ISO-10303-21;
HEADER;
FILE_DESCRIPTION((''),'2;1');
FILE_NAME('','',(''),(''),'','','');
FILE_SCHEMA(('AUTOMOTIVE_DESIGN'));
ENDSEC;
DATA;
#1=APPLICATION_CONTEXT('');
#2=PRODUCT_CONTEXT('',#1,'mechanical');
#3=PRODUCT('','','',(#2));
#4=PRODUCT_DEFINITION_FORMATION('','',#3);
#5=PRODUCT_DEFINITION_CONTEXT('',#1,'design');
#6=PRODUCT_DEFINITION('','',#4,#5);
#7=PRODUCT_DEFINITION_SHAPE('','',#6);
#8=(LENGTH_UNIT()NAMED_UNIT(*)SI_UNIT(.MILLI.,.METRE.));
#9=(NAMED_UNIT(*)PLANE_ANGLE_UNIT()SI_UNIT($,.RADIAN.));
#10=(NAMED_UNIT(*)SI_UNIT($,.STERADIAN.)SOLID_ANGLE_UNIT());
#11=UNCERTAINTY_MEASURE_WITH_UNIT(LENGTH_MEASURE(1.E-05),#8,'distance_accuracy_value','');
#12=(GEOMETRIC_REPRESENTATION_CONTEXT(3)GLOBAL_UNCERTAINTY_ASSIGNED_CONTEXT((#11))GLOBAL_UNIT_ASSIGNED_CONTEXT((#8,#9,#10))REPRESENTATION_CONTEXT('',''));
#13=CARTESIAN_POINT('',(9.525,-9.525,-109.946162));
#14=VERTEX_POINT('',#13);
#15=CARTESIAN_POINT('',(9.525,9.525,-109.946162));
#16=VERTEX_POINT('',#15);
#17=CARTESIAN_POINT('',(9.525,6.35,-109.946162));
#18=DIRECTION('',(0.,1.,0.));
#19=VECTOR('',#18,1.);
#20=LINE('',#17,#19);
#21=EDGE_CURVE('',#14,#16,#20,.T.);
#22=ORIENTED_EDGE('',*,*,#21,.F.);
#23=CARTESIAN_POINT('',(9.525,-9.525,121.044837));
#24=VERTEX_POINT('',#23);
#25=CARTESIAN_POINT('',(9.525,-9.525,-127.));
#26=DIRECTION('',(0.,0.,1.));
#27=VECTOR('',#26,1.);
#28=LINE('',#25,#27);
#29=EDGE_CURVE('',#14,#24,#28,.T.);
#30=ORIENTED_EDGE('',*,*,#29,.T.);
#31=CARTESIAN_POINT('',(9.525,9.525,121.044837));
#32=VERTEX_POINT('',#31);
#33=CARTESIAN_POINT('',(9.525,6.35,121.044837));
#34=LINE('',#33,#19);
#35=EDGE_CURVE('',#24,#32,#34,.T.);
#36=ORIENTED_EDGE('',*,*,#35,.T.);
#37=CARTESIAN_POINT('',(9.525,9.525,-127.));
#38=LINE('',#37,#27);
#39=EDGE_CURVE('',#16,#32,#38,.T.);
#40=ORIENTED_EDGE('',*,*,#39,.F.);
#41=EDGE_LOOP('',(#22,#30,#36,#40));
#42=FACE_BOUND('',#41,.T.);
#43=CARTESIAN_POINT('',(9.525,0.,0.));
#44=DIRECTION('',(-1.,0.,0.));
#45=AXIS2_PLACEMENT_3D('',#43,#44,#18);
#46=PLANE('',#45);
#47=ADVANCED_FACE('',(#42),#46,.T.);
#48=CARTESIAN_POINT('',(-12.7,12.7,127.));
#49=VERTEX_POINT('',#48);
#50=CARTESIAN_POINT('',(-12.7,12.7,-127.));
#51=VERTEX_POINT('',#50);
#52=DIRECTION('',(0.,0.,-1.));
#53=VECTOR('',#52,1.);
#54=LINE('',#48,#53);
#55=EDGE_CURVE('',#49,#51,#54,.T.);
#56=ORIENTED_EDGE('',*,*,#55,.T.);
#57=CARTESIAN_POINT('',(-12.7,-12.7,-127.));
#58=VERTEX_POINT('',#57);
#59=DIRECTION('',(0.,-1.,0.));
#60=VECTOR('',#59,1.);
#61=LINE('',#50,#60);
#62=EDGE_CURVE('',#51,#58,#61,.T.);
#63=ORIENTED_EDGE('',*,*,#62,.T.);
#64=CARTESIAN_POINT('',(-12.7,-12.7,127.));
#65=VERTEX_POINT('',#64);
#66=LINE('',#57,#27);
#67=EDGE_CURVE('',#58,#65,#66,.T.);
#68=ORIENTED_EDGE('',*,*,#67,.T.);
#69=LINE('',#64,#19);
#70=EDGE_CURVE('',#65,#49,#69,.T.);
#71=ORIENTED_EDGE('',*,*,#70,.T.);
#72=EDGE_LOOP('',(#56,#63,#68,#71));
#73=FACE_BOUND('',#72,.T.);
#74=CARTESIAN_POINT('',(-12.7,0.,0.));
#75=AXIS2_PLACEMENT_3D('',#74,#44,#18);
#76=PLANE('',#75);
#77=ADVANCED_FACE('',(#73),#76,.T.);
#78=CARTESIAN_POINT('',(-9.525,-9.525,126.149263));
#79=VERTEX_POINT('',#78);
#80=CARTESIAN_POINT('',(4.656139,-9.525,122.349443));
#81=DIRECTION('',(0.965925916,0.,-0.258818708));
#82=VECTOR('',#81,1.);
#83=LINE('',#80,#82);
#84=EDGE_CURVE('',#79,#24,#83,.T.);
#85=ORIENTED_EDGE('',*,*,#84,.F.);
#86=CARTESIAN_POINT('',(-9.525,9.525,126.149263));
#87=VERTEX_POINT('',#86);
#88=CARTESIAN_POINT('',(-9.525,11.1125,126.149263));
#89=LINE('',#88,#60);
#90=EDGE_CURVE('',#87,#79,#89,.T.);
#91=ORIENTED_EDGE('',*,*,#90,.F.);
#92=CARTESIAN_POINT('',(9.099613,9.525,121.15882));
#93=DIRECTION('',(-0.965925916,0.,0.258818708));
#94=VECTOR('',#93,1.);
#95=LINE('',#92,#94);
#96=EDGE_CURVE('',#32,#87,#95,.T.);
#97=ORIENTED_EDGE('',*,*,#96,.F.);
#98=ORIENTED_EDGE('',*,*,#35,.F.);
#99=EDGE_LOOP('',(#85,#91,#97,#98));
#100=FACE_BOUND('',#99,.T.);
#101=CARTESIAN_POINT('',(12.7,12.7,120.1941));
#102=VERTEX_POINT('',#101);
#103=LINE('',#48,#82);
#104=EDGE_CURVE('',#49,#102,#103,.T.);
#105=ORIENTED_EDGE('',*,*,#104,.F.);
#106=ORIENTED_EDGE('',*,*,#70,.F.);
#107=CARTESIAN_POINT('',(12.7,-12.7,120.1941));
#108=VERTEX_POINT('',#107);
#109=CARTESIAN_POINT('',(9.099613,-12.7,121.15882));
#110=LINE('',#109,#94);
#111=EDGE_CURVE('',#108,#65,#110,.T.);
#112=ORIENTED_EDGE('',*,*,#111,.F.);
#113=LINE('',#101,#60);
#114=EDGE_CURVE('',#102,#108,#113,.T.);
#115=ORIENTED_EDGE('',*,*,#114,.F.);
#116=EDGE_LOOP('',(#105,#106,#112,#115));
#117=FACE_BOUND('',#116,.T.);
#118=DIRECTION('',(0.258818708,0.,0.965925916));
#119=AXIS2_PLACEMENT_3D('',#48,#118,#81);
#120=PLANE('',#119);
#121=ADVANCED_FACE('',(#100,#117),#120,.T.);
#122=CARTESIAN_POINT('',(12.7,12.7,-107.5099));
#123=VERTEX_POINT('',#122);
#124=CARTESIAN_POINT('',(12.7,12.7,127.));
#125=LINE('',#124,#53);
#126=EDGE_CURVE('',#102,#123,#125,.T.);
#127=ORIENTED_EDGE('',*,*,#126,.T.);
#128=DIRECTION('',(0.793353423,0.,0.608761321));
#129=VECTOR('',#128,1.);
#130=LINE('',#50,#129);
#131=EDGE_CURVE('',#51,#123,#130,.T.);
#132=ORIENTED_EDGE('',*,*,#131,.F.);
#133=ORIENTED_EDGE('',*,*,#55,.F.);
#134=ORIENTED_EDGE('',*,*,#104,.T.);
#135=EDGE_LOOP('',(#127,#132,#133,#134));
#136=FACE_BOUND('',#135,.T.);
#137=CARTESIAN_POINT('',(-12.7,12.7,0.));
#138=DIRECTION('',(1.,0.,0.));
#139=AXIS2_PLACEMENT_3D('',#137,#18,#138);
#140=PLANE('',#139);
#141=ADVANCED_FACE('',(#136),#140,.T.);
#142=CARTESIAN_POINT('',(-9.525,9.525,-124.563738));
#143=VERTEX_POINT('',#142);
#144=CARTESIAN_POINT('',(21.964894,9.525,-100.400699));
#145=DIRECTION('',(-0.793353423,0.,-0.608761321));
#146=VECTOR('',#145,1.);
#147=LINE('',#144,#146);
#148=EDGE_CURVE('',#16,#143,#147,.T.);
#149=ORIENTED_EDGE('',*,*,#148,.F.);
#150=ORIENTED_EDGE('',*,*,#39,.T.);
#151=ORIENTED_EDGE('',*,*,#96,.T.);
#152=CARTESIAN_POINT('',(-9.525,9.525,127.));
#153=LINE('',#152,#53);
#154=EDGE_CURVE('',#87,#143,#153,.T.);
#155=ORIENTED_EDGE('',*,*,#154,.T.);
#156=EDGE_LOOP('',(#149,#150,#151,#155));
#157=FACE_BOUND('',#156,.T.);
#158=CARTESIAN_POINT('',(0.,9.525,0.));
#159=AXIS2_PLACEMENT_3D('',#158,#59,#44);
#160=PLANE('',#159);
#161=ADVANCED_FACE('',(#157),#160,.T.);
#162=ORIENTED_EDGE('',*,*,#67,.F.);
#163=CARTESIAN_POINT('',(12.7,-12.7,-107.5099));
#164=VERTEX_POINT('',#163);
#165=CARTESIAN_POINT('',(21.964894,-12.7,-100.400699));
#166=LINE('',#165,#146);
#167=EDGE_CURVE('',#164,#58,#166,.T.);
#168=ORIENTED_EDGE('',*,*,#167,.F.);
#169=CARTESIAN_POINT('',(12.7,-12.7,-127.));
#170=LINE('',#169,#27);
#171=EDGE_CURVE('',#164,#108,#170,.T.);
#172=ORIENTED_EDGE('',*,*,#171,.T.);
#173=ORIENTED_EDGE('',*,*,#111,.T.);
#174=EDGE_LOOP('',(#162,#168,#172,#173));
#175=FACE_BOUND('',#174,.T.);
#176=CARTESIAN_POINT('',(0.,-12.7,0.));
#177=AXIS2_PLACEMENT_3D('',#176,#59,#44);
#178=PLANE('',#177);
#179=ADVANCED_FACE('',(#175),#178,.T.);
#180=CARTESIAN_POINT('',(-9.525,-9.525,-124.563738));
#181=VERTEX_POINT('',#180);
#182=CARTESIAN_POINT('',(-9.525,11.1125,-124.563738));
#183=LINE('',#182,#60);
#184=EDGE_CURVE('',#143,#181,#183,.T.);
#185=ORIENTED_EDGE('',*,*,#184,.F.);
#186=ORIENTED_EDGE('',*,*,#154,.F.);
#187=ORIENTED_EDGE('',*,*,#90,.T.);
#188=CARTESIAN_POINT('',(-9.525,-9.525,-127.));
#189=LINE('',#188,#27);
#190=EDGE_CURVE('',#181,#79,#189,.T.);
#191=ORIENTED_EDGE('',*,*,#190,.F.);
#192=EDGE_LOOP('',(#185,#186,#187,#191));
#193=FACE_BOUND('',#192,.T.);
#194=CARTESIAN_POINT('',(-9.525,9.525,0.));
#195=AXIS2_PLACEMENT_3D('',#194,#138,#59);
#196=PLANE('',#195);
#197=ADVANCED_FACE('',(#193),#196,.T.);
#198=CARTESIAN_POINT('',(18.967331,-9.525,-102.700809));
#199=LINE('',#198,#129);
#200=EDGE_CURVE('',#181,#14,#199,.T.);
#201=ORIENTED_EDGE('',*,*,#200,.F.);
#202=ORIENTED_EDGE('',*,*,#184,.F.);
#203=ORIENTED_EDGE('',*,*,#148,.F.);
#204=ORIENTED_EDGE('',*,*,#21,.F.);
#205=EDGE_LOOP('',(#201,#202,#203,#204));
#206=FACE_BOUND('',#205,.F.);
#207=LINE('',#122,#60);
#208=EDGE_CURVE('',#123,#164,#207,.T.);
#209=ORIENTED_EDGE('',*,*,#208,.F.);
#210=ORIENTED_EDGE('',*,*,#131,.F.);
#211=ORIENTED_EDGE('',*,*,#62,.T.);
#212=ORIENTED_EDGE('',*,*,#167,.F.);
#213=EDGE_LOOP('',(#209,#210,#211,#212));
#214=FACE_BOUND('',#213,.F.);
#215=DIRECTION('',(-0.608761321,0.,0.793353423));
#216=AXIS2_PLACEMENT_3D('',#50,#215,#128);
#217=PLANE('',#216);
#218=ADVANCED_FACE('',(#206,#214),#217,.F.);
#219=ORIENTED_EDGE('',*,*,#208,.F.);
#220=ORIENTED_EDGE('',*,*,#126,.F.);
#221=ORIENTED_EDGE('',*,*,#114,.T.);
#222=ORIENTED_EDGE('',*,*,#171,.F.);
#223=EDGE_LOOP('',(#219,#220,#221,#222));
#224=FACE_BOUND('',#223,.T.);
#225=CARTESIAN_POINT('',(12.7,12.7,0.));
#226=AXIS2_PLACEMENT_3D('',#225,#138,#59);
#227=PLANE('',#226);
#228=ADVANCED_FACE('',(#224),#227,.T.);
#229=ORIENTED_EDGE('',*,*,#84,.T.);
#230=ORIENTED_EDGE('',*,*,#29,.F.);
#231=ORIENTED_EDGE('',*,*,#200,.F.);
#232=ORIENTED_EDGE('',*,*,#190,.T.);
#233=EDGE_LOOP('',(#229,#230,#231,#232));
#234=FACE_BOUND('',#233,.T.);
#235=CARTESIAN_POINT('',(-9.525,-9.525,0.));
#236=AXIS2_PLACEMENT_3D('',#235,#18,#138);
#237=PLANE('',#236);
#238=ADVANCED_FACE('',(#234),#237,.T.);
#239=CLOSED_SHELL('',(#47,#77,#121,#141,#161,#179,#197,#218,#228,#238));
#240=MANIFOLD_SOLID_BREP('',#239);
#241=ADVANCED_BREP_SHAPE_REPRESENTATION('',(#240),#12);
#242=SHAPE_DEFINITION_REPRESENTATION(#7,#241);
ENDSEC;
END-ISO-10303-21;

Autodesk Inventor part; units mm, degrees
ref_plane "YZ Plane" through (0, 0, 0) normal (1, 0, 0) x (0, 1, 0)
ref_plane "XZ Plane" through (0, 0, 0) normal (0, 1, 0) x (-1, 0, 0)
ref_plane "XY Plane" through (0, 0, 0) normal (0, 0, 1) x (1, 0, 0)
sketch "Sketch1" plane through (0, 0, 0) normal (0, 0, 1) x (1, 0, 0)
  line L0 (-17.78, 0) -> (17.78, 0) projected
  line L1 (0, -17.78) -> (0, 17.78) projected
  line L2 (-12.7, 12.7) -> (12.7, 12.7)
  line L3 (12.7, 12.7) -> (12.7, -12.7)
  line L4 (12.7, -12.7) -> (-12.7, -12.7)
  line L5 (-12.7, -12.7) -> (-12.7, 12.7)
  line L6 (9.525, 9.525) -> (-9.525, 9.525)
  line L7 (-9.525, 9.525) -> (-9.525, -9.525)
  line L8 (-9.525, -9.525) -> (9.525, -9.525)
  line L9 (9.525, -9.525) -> (9.525, 9.525)
  point P0 (0, 0)
  point P1 (-12.7, 0)
  point P2 (0, 12.7)
  dimension "d0" = 25.4
  dimension "d1" = 3.175
extrude "Extrusion1" add sketch "Sketch1" along normal mid plane 254 contours L5 L2 L1 L6 L7 L0 | L0 L7 L8 L1 L4 L5 | L1 L8 L9 L0 L3 L4 | L2 L3 L0 L9 L6 L1
sketch "Sketch3" plane through (-12.7, 12.7, 127) normal (0, 1, 0) x (1, 0, 0)
  line L0 (25.4, 0) -> (25.4, 254) projected
  line L1 (25.4, 254) -> (0, 254) projected
  line L2 (0, 254) -> (25.4, 234.5099)
  point P0 (12.7, 127)
  dimension "d7" = 37.5
extrude "Extrusion3" cut sketch "Sketch3" against normal through all
sketch "Sketch4" plane through (-12.7, 12.7, 127) normal (0, 1, 0) x (1, 0, 0)
  line L0 (0, 0) -> (25.4, 0) projected
  line L1 (25.4, 0) -> (25.4, 234.5099) projected
  line L2 (0, 0) -> (25.4, 6.8059)
  point P0 (12.7, 127)
  dimension "d10" = 15
extrude "Extrusion4" cut sketch "Sketch4" against normal through all
properties part number "tubing_template_0.125" material "Aluminum-6061"
